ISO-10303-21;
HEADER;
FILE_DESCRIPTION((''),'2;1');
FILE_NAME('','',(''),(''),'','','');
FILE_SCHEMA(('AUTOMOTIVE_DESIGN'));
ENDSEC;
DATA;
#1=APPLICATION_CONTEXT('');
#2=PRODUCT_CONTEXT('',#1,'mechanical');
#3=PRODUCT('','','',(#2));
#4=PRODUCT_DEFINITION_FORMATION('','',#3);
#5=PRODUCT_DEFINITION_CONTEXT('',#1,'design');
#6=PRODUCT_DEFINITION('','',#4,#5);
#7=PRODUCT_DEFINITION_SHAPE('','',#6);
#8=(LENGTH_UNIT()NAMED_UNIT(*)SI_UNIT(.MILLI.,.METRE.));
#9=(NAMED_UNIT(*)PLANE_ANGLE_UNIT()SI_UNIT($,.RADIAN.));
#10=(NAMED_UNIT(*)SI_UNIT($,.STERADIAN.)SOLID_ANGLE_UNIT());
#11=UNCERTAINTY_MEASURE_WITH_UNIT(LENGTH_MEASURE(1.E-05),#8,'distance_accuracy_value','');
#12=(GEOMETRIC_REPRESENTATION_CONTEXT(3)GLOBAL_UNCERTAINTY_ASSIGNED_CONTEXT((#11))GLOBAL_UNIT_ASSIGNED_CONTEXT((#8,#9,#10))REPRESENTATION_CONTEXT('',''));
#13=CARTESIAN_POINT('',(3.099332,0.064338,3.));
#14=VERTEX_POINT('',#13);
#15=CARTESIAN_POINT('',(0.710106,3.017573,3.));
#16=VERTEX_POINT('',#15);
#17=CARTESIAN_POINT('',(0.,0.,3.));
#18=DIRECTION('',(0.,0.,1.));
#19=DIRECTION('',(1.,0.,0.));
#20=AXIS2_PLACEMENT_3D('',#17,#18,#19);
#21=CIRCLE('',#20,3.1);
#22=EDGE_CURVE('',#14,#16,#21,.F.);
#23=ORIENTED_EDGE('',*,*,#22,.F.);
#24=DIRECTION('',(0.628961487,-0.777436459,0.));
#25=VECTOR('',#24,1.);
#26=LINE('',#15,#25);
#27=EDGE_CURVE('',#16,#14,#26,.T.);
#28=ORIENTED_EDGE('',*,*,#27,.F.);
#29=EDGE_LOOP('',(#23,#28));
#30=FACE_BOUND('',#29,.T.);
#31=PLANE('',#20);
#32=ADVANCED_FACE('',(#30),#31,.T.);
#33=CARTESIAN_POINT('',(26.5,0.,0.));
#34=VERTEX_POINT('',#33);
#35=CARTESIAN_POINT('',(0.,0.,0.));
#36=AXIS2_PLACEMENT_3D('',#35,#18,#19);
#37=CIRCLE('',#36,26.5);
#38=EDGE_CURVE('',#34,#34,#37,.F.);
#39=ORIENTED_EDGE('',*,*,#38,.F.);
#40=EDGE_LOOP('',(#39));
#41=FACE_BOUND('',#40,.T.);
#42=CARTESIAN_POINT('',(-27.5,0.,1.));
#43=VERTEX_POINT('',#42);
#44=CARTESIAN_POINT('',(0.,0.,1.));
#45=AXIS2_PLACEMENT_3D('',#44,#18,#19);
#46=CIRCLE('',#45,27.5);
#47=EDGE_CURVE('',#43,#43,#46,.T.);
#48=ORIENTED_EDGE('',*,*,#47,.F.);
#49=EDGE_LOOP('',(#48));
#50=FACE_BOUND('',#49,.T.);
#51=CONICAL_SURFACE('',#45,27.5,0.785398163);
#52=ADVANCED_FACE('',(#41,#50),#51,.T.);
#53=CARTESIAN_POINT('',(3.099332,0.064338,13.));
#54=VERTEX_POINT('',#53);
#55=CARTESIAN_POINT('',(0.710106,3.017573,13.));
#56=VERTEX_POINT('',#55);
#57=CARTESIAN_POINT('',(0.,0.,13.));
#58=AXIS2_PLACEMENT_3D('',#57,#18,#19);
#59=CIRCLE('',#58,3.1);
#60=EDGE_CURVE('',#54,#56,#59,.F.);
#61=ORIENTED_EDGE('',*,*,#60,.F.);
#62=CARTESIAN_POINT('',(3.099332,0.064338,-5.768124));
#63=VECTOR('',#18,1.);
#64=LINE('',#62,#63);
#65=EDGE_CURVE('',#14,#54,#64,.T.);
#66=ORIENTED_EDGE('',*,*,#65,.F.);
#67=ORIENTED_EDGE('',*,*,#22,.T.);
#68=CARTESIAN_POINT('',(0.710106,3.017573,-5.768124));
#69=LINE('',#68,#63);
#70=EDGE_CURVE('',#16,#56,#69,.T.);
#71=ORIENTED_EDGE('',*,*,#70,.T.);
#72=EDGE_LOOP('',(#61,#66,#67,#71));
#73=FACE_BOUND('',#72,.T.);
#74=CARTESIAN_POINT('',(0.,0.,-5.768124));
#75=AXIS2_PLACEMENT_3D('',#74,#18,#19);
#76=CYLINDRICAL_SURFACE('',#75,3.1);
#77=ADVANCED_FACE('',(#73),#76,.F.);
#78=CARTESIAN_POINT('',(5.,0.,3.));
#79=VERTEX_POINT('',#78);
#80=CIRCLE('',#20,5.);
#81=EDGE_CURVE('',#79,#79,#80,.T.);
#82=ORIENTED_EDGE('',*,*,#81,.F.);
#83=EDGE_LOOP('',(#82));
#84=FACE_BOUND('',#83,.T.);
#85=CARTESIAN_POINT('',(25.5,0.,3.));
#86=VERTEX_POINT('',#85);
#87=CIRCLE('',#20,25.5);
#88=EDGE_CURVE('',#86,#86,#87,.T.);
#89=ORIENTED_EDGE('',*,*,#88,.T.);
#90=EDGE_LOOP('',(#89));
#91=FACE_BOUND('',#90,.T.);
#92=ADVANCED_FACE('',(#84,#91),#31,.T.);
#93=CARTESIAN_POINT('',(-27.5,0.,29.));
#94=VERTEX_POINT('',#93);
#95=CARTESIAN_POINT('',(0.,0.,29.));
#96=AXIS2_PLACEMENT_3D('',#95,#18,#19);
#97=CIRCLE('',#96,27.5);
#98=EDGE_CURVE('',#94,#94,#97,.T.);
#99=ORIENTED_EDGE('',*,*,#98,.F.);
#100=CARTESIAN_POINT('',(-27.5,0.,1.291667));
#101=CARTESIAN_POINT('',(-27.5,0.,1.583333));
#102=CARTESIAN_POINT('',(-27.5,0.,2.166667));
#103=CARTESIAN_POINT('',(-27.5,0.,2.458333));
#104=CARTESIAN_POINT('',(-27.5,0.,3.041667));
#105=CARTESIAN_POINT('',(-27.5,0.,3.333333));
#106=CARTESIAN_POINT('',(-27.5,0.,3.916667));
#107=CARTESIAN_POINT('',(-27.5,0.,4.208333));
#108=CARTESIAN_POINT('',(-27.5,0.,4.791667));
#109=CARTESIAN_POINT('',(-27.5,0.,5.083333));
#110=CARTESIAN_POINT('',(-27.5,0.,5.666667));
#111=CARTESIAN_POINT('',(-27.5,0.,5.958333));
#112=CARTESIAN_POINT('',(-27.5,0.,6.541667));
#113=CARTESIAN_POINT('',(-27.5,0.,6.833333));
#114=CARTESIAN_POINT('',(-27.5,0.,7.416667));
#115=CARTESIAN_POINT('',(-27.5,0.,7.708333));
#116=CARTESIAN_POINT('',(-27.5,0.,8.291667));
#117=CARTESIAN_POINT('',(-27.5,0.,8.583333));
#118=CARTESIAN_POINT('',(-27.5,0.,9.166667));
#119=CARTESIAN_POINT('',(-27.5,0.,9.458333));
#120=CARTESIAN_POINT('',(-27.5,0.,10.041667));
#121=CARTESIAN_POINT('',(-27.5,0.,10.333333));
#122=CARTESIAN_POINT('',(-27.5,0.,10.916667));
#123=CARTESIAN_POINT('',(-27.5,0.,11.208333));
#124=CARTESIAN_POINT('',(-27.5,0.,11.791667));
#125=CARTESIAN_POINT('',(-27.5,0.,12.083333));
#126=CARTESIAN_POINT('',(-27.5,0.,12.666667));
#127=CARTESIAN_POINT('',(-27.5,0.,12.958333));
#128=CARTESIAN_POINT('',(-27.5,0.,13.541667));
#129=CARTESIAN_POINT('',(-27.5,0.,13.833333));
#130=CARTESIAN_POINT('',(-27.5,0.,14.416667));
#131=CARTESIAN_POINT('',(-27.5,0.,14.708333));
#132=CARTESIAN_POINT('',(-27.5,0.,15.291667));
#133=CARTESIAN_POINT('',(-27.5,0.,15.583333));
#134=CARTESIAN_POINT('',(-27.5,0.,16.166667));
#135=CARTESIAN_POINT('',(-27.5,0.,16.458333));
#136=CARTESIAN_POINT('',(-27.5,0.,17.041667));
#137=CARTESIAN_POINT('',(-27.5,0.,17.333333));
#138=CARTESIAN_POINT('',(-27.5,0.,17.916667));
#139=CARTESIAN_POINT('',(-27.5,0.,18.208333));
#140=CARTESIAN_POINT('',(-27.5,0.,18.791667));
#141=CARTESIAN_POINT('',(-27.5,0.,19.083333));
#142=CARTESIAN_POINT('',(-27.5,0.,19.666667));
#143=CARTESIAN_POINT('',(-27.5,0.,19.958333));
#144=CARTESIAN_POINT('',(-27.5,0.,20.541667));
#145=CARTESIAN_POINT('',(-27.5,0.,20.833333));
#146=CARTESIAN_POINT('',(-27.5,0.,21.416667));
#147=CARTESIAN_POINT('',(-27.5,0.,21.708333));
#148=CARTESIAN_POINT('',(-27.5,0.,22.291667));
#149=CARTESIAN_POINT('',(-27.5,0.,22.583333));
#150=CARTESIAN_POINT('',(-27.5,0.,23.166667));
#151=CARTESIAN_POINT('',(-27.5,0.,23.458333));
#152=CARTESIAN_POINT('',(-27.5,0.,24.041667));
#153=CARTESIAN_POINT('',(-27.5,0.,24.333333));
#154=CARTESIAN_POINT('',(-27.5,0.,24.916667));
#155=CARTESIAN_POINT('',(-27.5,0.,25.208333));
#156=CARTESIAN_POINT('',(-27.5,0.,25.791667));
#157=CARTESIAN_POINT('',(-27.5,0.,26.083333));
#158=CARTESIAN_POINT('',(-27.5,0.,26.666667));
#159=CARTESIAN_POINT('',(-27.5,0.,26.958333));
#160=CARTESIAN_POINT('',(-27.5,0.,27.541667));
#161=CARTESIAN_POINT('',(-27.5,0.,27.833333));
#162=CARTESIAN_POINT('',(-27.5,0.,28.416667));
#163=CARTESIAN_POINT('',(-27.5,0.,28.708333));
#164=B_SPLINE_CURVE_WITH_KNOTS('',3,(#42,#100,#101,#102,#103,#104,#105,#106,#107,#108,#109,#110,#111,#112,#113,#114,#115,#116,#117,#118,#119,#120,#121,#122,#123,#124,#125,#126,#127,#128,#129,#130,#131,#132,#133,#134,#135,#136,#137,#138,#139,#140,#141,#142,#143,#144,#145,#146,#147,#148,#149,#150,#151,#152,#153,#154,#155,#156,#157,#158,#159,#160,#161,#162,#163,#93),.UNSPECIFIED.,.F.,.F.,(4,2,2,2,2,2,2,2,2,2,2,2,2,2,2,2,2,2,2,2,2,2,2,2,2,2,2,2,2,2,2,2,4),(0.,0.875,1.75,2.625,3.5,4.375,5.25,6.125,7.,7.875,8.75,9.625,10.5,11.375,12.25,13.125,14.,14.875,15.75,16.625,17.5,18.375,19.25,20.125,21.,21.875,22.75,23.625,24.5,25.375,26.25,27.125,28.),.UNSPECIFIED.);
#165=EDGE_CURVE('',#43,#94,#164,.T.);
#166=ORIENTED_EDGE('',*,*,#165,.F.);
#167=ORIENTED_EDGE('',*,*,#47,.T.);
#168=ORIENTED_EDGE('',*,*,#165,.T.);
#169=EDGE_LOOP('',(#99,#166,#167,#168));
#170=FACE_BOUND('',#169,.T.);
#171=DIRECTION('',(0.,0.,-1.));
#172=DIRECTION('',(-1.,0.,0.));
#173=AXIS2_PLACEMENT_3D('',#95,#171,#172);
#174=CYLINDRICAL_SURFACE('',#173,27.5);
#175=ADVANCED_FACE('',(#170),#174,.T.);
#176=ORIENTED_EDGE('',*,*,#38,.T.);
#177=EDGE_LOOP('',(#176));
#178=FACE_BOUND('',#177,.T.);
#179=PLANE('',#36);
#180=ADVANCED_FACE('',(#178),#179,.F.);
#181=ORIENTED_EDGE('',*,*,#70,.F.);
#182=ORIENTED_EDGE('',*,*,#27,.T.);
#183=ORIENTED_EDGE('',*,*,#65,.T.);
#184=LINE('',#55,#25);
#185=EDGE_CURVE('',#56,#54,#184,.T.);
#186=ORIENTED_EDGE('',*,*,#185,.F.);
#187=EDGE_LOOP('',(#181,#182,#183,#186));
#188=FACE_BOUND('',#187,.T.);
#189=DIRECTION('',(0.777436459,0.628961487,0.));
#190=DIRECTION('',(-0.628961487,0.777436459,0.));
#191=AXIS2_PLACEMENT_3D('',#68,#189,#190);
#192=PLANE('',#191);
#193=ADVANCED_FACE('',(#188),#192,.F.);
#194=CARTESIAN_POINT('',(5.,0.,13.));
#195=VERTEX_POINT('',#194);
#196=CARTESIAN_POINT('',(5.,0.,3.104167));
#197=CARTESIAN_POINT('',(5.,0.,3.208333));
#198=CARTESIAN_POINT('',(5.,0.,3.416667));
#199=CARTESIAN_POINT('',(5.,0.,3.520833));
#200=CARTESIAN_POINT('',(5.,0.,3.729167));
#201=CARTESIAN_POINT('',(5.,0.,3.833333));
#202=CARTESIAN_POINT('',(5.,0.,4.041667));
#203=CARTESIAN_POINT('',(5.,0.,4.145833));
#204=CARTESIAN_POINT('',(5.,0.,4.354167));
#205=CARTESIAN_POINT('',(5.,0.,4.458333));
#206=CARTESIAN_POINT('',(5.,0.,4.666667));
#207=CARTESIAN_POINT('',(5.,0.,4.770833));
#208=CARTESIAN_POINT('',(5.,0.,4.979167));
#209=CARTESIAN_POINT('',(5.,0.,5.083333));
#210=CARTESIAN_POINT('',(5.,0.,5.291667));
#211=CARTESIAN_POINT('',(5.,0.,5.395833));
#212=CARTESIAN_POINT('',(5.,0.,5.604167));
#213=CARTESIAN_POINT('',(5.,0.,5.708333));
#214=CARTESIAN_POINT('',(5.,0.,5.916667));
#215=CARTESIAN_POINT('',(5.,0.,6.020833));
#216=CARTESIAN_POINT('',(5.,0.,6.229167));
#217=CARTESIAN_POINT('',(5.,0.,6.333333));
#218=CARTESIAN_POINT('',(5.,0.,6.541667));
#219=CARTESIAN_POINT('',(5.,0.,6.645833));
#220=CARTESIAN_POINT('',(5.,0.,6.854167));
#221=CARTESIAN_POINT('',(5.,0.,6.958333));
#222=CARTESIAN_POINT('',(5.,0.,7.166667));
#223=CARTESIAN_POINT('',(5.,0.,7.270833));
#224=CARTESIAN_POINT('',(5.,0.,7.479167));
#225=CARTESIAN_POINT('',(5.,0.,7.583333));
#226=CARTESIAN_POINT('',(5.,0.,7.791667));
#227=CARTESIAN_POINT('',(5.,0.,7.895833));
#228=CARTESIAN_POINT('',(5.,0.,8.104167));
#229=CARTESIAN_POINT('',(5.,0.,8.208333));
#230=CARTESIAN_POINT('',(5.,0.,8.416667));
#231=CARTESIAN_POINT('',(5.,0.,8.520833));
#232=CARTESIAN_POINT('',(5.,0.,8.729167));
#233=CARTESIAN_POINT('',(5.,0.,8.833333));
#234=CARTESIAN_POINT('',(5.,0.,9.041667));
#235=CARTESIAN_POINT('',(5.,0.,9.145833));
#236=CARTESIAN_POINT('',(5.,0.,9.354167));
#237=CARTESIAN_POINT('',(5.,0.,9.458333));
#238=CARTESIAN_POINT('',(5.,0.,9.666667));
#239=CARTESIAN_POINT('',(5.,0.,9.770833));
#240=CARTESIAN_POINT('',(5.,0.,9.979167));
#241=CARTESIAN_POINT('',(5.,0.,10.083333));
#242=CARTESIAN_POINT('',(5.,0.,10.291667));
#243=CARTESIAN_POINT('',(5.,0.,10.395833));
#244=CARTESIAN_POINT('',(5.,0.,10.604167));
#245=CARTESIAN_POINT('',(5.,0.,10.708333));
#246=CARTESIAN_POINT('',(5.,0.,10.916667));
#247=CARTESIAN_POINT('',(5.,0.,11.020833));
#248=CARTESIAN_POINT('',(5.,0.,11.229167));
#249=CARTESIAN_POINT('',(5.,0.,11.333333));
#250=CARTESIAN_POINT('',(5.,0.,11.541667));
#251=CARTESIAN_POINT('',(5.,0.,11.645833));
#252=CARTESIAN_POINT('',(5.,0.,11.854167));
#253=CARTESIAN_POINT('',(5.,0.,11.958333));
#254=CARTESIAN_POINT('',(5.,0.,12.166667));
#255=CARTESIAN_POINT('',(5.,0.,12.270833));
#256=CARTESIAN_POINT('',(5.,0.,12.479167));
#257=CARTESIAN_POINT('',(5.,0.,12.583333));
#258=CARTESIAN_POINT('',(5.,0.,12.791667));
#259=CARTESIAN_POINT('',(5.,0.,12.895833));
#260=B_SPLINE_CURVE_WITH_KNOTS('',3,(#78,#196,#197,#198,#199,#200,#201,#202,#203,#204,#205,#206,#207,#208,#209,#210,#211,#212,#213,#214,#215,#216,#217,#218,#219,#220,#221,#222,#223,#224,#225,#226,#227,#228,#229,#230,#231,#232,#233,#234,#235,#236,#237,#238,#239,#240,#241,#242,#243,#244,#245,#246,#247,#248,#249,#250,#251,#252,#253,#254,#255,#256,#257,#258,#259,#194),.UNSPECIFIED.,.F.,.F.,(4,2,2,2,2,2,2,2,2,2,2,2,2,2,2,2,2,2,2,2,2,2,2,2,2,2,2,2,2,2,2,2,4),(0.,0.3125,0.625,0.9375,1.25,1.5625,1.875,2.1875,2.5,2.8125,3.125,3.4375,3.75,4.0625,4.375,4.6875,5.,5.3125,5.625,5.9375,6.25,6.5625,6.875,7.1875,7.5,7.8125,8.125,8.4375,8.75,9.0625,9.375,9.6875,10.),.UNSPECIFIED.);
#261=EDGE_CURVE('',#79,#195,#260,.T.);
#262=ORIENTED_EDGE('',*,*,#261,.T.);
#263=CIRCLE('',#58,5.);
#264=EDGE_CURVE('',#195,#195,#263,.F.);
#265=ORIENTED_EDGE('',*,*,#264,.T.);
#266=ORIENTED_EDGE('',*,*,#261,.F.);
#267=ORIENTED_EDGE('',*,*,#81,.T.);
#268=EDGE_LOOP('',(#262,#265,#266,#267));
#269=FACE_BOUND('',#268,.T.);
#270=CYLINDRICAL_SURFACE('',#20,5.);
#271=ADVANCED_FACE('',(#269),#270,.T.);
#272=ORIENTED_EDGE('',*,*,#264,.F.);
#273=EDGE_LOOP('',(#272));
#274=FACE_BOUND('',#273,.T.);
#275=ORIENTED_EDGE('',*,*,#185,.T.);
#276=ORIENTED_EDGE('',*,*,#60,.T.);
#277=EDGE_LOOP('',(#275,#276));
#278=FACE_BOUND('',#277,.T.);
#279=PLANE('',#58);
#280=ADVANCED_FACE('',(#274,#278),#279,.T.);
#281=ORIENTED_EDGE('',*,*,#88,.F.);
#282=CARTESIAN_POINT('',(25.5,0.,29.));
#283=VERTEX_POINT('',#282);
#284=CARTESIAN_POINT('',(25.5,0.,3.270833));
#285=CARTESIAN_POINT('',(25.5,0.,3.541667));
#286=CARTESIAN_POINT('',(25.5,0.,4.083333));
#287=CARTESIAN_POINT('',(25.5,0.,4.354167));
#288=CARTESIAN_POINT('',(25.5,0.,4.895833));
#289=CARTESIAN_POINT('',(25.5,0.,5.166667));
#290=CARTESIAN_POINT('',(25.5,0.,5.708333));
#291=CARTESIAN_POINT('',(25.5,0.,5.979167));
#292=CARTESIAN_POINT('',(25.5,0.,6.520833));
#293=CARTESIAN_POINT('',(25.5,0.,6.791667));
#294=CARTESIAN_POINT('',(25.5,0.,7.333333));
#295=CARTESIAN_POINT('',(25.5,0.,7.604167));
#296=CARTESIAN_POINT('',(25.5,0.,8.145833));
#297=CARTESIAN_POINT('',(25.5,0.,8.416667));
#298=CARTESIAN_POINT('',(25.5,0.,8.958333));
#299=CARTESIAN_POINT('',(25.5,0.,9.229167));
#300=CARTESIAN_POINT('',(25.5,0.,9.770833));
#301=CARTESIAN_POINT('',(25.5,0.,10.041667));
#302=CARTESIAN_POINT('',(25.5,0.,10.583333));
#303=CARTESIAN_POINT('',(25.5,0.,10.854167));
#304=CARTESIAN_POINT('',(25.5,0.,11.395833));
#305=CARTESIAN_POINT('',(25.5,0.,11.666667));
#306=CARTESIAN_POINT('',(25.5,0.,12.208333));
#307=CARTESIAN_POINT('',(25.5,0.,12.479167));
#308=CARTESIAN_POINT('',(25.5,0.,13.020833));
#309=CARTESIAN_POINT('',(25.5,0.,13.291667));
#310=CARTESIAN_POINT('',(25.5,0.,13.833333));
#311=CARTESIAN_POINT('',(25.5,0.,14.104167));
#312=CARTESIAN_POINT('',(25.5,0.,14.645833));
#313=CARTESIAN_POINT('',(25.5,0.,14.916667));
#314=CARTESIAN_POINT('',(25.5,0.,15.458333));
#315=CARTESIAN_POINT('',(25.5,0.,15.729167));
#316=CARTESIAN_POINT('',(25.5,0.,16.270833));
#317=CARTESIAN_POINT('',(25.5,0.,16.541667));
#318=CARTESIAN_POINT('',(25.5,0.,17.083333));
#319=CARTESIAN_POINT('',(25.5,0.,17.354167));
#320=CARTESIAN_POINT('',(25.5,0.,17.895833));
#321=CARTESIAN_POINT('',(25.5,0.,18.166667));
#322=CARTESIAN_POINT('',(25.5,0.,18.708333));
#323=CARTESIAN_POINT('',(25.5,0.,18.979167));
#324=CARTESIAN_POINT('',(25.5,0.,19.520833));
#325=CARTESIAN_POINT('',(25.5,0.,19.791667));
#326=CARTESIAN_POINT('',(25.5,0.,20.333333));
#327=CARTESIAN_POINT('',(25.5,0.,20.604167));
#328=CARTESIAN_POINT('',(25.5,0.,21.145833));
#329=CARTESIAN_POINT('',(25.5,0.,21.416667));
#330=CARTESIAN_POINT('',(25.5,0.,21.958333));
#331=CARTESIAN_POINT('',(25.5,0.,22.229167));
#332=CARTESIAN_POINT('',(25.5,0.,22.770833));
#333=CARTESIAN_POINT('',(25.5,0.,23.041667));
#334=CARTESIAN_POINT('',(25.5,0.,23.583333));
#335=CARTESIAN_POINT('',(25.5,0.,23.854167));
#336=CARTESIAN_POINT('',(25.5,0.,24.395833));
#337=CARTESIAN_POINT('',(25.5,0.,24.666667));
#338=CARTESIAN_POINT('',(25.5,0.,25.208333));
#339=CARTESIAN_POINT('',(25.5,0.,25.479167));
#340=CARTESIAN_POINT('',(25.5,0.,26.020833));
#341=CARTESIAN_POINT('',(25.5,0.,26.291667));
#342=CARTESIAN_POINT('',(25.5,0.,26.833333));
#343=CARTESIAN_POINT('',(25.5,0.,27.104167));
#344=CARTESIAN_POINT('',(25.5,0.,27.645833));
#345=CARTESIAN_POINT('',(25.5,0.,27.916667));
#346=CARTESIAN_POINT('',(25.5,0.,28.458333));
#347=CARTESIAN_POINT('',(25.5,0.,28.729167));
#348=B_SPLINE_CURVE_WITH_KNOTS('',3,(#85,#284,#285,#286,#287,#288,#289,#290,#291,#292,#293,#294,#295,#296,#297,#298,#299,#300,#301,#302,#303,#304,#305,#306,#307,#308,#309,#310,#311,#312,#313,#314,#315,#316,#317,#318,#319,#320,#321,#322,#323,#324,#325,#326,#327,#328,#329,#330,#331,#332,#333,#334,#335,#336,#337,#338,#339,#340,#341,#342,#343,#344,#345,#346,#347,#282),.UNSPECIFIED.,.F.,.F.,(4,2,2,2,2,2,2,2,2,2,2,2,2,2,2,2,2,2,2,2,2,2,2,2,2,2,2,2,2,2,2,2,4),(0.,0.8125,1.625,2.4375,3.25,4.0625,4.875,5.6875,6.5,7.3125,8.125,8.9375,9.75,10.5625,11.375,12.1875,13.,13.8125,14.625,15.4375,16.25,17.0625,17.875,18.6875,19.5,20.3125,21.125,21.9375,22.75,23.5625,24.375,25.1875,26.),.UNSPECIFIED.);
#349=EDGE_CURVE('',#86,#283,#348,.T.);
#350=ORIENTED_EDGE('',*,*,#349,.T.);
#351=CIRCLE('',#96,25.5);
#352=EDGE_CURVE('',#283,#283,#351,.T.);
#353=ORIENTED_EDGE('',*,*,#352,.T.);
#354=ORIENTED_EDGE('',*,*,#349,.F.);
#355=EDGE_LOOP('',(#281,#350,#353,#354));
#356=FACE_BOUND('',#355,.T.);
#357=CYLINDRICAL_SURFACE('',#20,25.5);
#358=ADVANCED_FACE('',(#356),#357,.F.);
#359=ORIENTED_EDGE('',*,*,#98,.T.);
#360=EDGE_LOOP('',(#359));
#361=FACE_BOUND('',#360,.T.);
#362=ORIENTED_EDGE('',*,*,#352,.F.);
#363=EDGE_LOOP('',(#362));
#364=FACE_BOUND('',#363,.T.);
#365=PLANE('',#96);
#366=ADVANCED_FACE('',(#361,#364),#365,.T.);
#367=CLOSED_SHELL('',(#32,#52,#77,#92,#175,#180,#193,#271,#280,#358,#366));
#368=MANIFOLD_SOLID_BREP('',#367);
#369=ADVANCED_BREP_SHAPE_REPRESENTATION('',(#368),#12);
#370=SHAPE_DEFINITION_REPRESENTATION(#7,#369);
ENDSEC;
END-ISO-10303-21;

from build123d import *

# Parameters (mm, degrees)
SKETCH1_R           = 27.5
BOSS_EXTRUDE1_DEPTH = 29
SKETCH2_R           = 25.5
SKETCH2_R_2         = 5
CUT_EXTRUDE1_DEPTH  = 26
CUT_EXTRUDE2_DEPTH  = 26
SKETCH4_R           = 5
CUT_EXTRUDE3_DEPTH  = 16
CHAMFER1_SIZE       = 1


with BuildPart() as part:
    # Sketch1 → Boss-Extrude1 (new body)
    with BuildSketch(Plane.XY):
        with Locations(Location((0, 0, 0), (0, 0, 180))):
            Circle(SKETCH1_R)
    extrude(amount=BOSS_EXTRUDE1_DEPTH)

    # Sketch2 → Cut-Extrude1 (cut)
    with BuildSketch(Plane.XY.offset(29)):
        Circle(SKETCH2_R)
        Circle(SKETCH2_R_2, mode=Mode.SUBTRACT)
    extrude(amount=-CUT_EXTRUDE1_DEPTH, mode=Mode.SUBTRACT)

    # Sketch3 → Cut-Extrude2 (cut)
    with BuildSketch(Plane.XY.offset(29)):
        with BuildLine():
            Line((0.71010636, 3.017573356), (3.099332288, 0.064337932))
            ThreePointArc((3.099332288, 0.064337932), (-2.410053022, -1.949780611), (0.71010636, 3.017573356))
        make_face()
    extrude(amount=-CUT_EXTRUDE2_DEPTH, mode=Mode.SUBTRACT)

    # Sketch4 → Cut-Extrude3 (cut)
    with BuildSketch(Plane.XY.offset(29)):
        Circle(SKETCH4_R)
    extrude(amount=-CUT_EXTRUDE3_DEPTH, mode=Mode.SUBTRACT)

    # Chamfer1
    chamfer1_edges = [part.edges().sort_by_distance(p)[0] for p in [
        (27.5, 0, 0),
    ]]
    chamfer(chamfer1_edges, length=CHAMFER1_SIZE)


solid = part.part
